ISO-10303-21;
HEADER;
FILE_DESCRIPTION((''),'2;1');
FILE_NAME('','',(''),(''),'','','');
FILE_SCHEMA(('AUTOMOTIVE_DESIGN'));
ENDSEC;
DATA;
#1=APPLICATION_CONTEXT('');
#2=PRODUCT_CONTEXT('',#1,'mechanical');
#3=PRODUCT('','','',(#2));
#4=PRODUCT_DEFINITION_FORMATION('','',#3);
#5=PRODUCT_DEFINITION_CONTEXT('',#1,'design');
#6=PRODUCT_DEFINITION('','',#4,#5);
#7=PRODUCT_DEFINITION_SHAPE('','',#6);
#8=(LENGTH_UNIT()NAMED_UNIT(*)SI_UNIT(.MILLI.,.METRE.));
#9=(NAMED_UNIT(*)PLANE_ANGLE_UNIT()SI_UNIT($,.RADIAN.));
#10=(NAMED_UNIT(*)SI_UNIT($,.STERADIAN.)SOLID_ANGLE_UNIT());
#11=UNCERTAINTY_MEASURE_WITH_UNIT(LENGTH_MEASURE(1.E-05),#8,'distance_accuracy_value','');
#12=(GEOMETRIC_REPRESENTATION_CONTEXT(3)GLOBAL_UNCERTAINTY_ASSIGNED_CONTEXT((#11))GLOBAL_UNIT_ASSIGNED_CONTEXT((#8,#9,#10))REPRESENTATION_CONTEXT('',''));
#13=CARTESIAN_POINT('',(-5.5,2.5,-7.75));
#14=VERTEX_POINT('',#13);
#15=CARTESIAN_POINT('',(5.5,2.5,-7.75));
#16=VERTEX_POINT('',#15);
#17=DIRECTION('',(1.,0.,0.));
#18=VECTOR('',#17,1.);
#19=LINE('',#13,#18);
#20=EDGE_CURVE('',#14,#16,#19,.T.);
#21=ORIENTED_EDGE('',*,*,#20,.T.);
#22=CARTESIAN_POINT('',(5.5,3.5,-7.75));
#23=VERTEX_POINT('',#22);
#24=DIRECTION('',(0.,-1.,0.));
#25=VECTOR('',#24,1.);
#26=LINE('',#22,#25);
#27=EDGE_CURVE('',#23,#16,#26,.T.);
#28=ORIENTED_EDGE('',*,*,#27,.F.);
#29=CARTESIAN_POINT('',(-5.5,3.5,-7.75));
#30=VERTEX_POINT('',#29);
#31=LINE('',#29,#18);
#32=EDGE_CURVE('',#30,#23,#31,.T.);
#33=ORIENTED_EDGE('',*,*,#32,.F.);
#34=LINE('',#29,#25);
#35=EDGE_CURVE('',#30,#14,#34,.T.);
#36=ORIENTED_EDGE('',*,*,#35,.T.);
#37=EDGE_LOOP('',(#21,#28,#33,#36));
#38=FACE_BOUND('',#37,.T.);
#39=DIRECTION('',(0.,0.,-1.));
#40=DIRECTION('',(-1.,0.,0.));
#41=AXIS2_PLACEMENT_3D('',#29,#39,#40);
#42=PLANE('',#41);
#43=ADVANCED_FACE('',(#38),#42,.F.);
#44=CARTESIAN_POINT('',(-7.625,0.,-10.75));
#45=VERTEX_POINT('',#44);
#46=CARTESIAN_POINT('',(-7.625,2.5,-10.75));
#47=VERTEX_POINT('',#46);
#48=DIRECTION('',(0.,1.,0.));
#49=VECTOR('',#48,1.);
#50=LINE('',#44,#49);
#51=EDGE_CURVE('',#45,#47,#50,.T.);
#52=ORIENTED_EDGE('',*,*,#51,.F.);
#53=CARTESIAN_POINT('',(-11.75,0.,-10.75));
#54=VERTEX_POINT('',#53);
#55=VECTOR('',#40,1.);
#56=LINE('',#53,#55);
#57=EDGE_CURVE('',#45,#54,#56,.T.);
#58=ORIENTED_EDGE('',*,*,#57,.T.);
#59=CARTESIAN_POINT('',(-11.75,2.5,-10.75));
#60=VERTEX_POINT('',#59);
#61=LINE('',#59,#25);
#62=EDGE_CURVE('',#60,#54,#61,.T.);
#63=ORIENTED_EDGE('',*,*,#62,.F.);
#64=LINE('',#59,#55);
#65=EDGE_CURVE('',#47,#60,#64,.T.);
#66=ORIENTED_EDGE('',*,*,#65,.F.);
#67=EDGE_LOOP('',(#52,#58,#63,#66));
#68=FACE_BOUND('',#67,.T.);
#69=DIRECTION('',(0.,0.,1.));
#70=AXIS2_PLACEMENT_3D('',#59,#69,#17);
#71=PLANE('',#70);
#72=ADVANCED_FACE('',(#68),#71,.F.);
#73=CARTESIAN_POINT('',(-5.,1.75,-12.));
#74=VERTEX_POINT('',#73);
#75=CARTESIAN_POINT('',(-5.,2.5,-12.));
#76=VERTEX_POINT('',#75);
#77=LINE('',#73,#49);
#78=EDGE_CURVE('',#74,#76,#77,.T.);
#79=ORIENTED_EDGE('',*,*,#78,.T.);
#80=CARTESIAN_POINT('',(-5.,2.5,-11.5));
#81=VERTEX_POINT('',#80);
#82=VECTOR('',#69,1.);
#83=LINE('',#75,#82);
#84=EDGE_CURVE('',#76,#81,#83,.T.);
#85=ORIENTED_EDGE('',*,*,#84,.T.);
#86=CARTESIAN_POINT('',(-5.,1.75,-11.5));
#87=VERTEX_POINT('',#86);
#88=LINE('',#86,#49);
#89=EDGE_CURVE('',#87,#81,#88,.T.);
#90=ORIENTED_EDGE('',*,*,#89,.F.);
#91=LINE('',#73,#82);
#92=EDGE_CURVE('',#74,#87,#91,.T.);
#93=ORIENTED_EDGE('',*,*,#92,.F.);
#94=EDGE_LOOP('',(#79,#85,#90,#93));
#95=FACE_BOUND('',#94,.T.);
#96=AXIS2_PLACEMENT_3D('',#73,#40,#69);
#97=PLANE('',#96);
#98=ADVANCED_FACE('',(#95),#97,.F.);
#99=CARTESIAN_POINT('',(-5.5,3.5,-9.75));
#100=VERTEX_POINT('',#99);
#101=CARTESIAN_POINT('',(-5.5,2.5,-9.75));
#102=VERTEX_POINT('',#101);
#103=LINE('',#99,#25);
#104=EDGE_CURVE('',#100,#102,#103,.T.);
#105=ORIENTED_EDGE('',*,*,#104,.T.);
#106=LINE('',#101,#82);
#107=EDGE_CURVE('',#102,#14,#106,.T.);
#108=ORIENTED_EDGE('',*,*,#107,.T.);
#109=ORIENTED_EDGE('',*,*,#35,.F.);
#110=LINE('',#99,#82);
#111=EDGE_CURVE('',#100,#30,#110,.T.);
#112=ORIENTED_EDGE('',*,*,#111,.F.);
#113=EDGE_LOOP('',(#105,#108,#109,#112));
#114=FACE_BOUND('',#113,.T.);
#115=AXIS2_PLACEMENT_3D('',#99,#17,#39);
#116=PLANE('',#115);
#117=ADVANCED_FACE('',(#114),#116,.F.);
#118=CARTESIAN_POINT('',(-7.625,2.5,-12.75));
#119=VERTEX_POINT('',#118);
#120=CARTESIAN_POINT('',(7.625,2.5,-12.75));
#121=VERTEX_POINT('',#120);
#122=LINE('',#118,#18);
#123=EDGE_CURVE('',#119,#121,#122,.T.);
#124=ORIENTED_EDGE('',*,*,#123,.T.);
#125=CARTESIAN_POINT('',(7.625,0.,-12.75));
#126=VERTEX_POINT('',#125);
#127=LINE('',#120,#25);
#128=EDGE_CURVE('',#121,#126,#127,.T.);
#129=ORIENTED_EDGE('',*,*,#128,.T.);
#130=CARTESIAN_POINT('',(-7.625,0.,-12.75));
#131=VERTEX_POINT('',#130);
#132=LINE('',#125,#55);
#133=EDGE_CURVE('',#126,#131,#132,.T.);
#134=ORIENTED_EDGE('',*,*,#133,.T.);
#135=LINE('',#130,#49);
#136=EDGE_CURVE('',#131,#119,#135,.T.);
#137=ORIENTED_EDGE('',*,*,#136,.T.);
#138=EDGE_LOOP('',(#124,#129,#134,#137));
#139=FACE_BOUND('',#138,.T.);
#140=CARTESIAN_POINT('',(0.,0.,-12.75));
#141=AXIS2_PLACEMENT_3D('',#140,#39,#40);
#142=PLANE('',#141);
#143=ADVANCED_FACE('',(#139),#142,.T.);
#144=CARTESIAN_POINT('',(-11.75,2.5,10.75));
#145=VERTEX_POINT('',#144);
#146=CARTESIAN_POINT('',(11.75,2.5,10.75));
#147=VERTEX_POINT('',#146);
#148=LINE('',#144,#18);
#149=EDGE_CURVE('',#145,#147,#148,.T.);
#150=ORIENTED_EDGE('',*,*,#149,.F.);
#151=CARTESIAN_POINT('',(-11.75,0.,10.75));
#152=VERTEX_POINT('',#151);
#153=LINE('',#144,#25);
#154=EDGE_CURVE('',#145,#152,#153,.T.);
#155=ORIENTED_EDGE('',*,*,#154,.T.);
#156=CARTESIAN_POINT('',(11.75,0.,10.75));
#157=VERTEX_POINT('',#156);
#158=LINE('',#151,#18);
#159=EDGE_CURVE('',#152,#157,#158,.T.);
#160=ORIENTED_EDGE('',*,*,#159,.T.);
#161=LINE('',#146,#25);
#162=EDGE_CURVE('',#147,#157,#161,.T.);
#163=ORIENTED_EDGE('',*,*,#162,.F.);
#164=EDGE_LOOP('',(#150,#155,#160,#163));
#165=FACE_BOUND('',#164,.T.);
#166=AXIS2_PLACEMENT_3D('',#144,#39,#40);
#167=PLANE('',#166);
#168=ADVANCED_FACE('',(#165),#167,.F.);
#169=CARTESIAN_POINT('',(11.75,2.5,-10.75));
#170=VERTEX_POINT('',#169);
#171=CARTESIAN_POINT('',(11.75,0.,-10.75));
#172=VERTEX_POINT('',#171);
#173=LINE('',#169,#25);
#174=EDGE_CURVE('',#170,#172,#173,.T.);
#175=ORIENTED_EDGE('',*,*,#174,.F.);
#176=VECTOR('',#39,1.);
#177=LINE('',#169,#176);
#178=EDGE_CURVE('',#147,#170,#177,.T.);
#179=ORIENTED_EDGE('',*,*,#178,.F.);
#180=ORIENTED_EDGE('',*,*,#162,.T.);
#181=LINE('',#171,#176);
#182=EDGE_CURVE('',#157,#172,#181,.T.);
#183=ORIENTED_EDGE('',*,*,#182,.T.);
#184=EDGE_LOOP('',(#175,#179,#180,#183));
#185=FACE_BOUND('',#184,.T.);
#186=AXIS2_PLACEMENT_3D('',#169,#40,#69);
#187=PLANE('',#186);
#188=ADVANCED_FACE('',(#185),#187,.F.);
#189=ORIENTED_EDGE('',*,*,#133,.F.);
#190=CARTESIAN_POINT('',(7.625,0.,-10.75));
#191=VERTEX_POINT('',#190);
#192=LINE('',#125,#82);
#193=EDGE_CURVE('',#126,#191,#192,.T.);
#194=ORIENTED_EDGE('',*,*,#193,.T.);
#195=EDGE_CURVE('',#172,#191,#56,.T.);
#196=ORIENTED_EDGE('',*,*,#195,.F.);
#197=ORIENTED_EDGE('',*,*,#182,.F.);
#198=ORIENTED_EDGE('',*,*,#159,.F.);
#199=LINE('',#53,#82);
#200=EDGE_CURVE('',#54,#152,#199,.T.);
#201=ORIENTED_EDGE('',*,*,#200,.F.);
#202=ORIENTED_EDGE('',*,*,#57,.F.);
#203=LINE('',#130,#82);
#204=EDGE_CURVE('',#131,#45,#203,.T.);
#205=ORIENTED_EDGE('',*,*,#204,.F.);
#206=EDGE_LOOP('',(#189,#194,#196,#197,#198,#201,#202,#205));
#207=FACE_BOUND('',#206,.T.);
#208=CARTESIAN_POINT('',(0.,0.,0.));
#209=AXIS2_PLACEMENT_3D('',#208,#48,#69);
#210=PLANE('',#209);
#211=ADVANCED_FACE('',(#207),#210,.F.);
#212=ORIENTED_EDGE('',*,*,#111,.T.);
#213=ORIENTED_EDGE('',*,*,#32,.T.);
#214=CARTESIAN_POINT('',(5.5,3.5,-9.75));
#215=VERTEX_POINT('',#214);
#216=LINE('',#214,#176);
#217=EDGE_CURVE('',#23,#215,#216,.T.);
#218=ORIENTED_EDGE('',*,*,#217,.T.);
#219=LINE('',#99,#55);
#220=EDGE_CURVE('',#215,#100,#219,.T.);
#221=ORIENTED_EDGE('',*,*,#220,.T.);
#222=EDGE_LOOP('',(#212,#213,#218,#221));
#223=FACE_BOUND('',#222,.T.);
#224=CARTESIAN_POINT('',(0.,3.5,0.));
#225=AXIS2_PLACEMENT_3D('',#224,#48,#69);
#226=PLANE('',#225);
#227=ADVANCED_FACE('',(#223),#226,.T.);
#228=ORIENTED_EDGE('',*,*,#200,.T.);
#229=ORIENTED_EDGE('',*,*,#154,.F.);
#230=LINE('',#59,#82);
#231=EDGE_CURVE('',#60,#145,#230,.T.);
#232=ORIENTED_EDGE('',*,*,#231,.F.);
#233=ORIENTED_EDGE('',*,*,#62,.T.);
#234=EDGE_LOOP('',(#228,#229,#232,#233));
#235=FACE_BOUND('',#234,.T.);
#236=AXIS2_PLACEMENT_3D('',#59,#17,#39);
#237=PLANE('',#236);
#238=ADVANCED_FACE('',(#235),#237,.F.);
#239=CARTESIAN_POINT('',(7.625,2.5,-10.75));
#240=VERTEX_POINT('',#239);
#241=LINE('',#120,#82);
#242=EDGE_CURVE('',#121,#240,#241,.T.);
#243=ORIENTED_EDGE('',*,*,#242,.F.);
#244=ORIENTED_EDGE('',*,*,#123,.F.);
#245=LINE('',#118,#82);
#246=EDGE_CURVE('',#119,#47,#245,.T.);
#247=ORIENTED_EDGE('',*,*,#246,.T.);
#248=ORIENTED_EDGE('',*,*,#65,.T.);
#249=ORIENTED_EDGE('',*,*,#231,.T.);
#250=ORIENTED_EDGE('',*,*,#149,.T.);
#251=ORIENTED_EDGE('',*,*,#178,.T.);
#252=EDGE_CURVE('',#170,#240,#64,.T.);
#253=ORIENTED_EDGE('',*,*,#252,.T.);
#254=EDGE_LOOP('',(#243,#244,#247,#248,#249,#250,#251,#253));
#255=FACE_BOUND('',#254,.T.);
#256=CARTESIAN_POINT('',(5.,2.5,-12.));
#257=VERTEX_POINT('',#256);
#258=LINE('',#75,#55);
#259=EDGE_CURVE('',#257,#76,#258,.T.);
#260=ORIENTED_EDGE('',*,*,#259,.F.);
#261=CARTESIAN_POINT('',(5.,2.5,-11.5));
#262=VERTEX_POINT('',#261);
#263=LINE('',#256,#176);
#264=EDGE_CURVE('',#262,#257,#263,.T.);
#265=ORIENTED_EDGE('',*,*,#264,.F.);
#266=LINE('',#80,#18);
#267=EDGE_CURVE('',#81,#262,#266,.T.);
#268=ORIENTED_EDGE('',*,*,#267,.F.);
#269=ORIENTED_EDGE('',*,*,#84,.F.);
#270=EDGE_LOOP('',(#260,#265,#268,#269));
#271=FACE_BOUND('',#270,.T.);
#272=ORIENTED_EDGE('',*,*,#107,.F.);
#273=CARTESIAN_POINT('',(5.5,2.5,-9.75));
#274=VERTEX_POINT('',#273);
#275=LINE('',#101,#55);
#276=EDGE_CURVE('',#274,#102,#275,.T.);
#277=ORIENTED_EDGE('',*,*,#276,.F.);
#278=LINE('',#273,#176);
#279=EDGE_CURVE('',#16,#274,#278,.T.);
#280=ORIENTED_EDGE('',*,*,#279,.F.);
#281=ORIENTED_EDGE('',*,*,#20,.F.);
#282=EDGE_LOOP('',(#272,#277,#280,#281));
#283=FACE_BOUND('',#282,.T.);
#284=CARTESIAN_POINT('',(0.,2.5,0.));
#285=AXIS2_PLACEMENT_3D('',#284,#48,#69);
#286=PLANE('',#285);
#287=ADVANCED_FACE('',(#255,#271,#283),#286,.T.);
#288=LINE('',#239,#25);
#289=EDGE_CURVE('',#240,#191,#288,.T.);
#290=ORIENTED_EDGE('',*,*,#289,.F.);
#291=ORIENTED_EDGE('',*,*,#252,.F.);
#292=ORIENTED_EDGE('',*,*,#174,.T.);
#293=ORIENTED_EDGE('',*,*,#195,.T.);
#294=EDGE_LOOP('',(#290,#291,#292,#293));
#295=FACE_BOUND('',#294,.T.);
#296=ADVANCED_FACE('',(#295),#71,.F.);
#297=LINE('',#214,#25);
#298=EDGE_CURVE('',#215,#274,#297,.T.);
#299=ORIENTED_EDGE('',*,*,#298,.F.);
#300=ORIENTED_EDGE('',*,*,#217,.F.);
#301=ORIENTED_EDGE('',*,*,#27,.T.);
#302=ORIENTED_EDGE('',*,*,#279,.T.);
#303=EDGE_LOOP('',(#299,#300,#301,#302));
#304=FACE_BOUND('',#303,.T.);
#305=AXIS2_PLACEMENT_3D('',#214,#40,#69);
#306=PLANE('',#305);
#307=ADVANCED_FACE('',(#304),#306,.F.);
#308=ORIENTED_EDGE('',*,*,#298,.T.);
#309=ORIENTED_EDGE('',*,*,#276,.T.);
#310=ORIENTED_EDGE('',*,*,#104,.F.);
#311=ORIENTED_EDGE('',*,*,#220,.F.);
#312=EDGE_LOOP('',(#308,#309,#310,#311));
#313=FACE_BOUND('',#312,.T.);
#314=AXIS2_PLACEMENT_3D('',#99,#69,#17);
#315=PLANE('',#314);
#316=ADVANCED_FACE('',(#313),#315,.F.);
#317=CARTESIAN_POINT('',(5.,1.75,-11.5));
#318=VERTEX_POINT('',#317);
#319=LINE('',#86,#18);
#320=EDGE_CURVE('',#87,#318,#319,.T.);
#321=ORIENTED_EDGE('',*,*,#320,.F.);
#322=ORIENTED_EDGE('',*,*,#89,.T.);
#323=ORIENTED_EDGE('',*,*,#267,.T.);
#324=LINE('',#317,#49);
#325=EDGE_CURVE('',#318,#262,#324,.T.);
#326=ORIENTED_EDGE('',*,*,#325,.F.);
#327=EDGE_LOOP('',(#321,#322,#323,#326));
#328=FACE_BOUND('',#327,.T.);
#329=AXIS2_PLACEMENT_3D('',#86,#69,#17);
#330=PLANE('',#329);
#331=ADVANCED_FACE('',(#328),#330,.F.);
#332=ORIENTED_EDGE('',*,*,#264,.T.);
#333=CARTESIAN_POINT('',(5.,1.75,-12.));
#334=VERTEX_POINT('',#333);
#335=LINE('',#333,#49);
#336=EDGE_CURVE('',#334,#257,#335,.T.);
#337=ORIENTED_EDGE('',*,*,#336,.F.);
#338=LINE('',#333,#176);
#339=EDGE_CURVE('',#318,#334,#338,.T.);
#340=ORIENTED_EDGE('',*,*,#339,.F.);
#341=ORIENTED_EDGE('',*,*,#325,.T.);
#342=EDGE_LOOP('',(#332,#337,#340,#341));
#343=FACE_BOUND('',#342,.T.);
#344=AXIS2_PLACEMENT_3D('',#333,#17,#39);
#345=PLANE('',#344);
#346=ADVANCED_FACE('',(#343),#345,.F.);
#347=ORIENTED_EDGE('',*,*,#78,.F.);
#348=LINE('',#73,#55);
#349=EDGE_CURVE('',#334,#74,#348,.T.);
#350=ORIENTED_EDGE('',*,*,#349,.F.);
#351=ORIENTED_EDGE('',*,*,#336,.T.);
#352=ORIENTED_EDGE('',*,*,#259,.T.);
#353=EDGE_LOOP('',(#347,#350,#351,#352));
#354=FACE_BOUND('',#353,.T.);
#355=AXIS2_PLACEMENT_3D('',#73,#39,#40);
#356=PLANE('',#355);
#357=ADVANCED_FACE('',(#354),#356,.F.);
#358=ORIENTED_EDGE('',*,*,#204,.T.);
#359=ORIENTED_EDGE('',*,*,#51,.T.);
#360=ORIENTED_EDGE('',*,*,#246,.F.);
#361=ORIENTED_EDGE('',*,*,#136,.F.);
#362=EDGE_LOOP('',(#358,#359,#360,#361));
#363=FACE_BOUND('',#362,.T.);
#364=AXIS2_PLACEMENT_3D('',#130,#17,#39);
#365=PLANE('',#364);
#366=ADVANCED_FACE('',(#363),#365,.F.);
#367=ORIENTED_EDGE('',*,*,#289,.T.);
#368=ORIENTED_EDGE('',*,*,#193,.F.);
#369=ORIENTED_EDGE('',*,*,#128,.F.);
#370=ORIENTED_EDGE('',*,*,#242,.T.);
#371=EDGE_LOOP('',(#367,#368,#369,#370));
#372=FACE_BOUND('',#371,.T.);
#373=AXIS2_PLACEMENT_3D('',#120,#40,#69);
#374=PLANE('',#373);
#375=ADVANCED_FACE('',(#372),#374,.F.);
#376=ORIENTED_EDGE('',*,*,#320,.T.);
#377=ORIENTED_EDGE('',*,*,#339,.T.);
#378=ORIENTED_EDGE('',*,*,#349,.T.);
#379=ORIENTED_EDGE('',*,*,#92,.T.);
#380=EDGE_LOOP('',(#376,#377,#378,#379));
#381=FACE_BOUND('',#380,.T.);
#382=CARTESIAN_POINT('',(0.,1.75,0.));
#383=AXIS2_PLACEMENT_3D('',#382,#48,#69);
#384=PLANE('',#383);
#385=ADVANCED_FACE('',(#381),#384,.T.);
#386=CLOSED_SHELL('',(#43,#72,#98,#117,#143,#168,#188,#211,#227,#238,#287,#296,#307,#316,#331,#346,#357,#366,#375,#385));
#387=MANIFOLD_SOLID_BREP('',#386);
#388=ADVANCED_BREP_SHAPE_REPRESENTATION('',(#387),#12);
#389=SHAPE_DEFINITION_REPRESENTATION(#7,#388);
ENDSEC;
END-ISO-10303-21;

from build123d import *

# Parameters (mm, degrees)
CROQUIS1_W              = 23.5
CROQUIS1_H              = 21.5
SALIENTE_EXTRUIR1_DEPTH = 2.5
CROQUIS2_W              = 15.25
CROQUIS2_H              = 2.5
SALIENTE_EXTRUIR2_DEPTH = 2
CROQUIS4_W              = 11
CROQUIS4_H              = 2
SALIENTE_EXTRUIR4_DEPTH = 1
CROQUIS5_W              = 10
CROQUIS5_H              = 0.5
CORTAR_EXTRUIR1_DEPTH   = 0.75


with BuildPart() as part:
    # Croquis1 → Saliente-Extruir1 (new body)
    with BuildSketch(Plane(origin=(0, 0, 0), x_dir=(1, 0, 0), z_dir=(0, 1, 0))):
        Rectangle(CROQUIS1_W, CROQUIS1_H)
    extrude(amount=SALIENTE_EXTRUIR1_DEPTH)

    # Croquis2 → Saliente-Extruir2 (add)
    with BuildSketch(Plane(origin=(0, 0, -10.75), x_dir=(-1, 0, 0), z_dir=(0, 0, -1))):
        with Locations((0, 1.25)):
            Rectangle(CROQUIS2_W, CROQUIS2_H)
    extrude(amount=SALIENTE_EXTRUIR2_DEPTH)

    # Croquis4 → Saliente-Extruir4 (add)
    with BuildSketch(Plane(origin=(0, 2.5, 0), x_dir=(1, 0, 0), z_dir=(0, 1, 0))):
        with Locations((0, 8.75)):
            Rectangle(CROQUIS4_W, CROQUIS4_H)
    extrude(amount=SALIENTE_EXTRUIR4_DEPTH)

    # Croquis5 → Cortar-Extruir1 (cut)
    with BuildSketch(Plane(origin=(0, 2.5, 0), x_dir=(1, 0, 0), z_dir=(0, 1, 0))):
        with Locations((0, 11.75)):
            Rectangle(CROQUIS5_W, CROQUIS5_H)
    extrude(amount=-CORTAR_EXTRUIR1_DEPTH, mode=Mode.SUBTRACT)


solid = part.part
